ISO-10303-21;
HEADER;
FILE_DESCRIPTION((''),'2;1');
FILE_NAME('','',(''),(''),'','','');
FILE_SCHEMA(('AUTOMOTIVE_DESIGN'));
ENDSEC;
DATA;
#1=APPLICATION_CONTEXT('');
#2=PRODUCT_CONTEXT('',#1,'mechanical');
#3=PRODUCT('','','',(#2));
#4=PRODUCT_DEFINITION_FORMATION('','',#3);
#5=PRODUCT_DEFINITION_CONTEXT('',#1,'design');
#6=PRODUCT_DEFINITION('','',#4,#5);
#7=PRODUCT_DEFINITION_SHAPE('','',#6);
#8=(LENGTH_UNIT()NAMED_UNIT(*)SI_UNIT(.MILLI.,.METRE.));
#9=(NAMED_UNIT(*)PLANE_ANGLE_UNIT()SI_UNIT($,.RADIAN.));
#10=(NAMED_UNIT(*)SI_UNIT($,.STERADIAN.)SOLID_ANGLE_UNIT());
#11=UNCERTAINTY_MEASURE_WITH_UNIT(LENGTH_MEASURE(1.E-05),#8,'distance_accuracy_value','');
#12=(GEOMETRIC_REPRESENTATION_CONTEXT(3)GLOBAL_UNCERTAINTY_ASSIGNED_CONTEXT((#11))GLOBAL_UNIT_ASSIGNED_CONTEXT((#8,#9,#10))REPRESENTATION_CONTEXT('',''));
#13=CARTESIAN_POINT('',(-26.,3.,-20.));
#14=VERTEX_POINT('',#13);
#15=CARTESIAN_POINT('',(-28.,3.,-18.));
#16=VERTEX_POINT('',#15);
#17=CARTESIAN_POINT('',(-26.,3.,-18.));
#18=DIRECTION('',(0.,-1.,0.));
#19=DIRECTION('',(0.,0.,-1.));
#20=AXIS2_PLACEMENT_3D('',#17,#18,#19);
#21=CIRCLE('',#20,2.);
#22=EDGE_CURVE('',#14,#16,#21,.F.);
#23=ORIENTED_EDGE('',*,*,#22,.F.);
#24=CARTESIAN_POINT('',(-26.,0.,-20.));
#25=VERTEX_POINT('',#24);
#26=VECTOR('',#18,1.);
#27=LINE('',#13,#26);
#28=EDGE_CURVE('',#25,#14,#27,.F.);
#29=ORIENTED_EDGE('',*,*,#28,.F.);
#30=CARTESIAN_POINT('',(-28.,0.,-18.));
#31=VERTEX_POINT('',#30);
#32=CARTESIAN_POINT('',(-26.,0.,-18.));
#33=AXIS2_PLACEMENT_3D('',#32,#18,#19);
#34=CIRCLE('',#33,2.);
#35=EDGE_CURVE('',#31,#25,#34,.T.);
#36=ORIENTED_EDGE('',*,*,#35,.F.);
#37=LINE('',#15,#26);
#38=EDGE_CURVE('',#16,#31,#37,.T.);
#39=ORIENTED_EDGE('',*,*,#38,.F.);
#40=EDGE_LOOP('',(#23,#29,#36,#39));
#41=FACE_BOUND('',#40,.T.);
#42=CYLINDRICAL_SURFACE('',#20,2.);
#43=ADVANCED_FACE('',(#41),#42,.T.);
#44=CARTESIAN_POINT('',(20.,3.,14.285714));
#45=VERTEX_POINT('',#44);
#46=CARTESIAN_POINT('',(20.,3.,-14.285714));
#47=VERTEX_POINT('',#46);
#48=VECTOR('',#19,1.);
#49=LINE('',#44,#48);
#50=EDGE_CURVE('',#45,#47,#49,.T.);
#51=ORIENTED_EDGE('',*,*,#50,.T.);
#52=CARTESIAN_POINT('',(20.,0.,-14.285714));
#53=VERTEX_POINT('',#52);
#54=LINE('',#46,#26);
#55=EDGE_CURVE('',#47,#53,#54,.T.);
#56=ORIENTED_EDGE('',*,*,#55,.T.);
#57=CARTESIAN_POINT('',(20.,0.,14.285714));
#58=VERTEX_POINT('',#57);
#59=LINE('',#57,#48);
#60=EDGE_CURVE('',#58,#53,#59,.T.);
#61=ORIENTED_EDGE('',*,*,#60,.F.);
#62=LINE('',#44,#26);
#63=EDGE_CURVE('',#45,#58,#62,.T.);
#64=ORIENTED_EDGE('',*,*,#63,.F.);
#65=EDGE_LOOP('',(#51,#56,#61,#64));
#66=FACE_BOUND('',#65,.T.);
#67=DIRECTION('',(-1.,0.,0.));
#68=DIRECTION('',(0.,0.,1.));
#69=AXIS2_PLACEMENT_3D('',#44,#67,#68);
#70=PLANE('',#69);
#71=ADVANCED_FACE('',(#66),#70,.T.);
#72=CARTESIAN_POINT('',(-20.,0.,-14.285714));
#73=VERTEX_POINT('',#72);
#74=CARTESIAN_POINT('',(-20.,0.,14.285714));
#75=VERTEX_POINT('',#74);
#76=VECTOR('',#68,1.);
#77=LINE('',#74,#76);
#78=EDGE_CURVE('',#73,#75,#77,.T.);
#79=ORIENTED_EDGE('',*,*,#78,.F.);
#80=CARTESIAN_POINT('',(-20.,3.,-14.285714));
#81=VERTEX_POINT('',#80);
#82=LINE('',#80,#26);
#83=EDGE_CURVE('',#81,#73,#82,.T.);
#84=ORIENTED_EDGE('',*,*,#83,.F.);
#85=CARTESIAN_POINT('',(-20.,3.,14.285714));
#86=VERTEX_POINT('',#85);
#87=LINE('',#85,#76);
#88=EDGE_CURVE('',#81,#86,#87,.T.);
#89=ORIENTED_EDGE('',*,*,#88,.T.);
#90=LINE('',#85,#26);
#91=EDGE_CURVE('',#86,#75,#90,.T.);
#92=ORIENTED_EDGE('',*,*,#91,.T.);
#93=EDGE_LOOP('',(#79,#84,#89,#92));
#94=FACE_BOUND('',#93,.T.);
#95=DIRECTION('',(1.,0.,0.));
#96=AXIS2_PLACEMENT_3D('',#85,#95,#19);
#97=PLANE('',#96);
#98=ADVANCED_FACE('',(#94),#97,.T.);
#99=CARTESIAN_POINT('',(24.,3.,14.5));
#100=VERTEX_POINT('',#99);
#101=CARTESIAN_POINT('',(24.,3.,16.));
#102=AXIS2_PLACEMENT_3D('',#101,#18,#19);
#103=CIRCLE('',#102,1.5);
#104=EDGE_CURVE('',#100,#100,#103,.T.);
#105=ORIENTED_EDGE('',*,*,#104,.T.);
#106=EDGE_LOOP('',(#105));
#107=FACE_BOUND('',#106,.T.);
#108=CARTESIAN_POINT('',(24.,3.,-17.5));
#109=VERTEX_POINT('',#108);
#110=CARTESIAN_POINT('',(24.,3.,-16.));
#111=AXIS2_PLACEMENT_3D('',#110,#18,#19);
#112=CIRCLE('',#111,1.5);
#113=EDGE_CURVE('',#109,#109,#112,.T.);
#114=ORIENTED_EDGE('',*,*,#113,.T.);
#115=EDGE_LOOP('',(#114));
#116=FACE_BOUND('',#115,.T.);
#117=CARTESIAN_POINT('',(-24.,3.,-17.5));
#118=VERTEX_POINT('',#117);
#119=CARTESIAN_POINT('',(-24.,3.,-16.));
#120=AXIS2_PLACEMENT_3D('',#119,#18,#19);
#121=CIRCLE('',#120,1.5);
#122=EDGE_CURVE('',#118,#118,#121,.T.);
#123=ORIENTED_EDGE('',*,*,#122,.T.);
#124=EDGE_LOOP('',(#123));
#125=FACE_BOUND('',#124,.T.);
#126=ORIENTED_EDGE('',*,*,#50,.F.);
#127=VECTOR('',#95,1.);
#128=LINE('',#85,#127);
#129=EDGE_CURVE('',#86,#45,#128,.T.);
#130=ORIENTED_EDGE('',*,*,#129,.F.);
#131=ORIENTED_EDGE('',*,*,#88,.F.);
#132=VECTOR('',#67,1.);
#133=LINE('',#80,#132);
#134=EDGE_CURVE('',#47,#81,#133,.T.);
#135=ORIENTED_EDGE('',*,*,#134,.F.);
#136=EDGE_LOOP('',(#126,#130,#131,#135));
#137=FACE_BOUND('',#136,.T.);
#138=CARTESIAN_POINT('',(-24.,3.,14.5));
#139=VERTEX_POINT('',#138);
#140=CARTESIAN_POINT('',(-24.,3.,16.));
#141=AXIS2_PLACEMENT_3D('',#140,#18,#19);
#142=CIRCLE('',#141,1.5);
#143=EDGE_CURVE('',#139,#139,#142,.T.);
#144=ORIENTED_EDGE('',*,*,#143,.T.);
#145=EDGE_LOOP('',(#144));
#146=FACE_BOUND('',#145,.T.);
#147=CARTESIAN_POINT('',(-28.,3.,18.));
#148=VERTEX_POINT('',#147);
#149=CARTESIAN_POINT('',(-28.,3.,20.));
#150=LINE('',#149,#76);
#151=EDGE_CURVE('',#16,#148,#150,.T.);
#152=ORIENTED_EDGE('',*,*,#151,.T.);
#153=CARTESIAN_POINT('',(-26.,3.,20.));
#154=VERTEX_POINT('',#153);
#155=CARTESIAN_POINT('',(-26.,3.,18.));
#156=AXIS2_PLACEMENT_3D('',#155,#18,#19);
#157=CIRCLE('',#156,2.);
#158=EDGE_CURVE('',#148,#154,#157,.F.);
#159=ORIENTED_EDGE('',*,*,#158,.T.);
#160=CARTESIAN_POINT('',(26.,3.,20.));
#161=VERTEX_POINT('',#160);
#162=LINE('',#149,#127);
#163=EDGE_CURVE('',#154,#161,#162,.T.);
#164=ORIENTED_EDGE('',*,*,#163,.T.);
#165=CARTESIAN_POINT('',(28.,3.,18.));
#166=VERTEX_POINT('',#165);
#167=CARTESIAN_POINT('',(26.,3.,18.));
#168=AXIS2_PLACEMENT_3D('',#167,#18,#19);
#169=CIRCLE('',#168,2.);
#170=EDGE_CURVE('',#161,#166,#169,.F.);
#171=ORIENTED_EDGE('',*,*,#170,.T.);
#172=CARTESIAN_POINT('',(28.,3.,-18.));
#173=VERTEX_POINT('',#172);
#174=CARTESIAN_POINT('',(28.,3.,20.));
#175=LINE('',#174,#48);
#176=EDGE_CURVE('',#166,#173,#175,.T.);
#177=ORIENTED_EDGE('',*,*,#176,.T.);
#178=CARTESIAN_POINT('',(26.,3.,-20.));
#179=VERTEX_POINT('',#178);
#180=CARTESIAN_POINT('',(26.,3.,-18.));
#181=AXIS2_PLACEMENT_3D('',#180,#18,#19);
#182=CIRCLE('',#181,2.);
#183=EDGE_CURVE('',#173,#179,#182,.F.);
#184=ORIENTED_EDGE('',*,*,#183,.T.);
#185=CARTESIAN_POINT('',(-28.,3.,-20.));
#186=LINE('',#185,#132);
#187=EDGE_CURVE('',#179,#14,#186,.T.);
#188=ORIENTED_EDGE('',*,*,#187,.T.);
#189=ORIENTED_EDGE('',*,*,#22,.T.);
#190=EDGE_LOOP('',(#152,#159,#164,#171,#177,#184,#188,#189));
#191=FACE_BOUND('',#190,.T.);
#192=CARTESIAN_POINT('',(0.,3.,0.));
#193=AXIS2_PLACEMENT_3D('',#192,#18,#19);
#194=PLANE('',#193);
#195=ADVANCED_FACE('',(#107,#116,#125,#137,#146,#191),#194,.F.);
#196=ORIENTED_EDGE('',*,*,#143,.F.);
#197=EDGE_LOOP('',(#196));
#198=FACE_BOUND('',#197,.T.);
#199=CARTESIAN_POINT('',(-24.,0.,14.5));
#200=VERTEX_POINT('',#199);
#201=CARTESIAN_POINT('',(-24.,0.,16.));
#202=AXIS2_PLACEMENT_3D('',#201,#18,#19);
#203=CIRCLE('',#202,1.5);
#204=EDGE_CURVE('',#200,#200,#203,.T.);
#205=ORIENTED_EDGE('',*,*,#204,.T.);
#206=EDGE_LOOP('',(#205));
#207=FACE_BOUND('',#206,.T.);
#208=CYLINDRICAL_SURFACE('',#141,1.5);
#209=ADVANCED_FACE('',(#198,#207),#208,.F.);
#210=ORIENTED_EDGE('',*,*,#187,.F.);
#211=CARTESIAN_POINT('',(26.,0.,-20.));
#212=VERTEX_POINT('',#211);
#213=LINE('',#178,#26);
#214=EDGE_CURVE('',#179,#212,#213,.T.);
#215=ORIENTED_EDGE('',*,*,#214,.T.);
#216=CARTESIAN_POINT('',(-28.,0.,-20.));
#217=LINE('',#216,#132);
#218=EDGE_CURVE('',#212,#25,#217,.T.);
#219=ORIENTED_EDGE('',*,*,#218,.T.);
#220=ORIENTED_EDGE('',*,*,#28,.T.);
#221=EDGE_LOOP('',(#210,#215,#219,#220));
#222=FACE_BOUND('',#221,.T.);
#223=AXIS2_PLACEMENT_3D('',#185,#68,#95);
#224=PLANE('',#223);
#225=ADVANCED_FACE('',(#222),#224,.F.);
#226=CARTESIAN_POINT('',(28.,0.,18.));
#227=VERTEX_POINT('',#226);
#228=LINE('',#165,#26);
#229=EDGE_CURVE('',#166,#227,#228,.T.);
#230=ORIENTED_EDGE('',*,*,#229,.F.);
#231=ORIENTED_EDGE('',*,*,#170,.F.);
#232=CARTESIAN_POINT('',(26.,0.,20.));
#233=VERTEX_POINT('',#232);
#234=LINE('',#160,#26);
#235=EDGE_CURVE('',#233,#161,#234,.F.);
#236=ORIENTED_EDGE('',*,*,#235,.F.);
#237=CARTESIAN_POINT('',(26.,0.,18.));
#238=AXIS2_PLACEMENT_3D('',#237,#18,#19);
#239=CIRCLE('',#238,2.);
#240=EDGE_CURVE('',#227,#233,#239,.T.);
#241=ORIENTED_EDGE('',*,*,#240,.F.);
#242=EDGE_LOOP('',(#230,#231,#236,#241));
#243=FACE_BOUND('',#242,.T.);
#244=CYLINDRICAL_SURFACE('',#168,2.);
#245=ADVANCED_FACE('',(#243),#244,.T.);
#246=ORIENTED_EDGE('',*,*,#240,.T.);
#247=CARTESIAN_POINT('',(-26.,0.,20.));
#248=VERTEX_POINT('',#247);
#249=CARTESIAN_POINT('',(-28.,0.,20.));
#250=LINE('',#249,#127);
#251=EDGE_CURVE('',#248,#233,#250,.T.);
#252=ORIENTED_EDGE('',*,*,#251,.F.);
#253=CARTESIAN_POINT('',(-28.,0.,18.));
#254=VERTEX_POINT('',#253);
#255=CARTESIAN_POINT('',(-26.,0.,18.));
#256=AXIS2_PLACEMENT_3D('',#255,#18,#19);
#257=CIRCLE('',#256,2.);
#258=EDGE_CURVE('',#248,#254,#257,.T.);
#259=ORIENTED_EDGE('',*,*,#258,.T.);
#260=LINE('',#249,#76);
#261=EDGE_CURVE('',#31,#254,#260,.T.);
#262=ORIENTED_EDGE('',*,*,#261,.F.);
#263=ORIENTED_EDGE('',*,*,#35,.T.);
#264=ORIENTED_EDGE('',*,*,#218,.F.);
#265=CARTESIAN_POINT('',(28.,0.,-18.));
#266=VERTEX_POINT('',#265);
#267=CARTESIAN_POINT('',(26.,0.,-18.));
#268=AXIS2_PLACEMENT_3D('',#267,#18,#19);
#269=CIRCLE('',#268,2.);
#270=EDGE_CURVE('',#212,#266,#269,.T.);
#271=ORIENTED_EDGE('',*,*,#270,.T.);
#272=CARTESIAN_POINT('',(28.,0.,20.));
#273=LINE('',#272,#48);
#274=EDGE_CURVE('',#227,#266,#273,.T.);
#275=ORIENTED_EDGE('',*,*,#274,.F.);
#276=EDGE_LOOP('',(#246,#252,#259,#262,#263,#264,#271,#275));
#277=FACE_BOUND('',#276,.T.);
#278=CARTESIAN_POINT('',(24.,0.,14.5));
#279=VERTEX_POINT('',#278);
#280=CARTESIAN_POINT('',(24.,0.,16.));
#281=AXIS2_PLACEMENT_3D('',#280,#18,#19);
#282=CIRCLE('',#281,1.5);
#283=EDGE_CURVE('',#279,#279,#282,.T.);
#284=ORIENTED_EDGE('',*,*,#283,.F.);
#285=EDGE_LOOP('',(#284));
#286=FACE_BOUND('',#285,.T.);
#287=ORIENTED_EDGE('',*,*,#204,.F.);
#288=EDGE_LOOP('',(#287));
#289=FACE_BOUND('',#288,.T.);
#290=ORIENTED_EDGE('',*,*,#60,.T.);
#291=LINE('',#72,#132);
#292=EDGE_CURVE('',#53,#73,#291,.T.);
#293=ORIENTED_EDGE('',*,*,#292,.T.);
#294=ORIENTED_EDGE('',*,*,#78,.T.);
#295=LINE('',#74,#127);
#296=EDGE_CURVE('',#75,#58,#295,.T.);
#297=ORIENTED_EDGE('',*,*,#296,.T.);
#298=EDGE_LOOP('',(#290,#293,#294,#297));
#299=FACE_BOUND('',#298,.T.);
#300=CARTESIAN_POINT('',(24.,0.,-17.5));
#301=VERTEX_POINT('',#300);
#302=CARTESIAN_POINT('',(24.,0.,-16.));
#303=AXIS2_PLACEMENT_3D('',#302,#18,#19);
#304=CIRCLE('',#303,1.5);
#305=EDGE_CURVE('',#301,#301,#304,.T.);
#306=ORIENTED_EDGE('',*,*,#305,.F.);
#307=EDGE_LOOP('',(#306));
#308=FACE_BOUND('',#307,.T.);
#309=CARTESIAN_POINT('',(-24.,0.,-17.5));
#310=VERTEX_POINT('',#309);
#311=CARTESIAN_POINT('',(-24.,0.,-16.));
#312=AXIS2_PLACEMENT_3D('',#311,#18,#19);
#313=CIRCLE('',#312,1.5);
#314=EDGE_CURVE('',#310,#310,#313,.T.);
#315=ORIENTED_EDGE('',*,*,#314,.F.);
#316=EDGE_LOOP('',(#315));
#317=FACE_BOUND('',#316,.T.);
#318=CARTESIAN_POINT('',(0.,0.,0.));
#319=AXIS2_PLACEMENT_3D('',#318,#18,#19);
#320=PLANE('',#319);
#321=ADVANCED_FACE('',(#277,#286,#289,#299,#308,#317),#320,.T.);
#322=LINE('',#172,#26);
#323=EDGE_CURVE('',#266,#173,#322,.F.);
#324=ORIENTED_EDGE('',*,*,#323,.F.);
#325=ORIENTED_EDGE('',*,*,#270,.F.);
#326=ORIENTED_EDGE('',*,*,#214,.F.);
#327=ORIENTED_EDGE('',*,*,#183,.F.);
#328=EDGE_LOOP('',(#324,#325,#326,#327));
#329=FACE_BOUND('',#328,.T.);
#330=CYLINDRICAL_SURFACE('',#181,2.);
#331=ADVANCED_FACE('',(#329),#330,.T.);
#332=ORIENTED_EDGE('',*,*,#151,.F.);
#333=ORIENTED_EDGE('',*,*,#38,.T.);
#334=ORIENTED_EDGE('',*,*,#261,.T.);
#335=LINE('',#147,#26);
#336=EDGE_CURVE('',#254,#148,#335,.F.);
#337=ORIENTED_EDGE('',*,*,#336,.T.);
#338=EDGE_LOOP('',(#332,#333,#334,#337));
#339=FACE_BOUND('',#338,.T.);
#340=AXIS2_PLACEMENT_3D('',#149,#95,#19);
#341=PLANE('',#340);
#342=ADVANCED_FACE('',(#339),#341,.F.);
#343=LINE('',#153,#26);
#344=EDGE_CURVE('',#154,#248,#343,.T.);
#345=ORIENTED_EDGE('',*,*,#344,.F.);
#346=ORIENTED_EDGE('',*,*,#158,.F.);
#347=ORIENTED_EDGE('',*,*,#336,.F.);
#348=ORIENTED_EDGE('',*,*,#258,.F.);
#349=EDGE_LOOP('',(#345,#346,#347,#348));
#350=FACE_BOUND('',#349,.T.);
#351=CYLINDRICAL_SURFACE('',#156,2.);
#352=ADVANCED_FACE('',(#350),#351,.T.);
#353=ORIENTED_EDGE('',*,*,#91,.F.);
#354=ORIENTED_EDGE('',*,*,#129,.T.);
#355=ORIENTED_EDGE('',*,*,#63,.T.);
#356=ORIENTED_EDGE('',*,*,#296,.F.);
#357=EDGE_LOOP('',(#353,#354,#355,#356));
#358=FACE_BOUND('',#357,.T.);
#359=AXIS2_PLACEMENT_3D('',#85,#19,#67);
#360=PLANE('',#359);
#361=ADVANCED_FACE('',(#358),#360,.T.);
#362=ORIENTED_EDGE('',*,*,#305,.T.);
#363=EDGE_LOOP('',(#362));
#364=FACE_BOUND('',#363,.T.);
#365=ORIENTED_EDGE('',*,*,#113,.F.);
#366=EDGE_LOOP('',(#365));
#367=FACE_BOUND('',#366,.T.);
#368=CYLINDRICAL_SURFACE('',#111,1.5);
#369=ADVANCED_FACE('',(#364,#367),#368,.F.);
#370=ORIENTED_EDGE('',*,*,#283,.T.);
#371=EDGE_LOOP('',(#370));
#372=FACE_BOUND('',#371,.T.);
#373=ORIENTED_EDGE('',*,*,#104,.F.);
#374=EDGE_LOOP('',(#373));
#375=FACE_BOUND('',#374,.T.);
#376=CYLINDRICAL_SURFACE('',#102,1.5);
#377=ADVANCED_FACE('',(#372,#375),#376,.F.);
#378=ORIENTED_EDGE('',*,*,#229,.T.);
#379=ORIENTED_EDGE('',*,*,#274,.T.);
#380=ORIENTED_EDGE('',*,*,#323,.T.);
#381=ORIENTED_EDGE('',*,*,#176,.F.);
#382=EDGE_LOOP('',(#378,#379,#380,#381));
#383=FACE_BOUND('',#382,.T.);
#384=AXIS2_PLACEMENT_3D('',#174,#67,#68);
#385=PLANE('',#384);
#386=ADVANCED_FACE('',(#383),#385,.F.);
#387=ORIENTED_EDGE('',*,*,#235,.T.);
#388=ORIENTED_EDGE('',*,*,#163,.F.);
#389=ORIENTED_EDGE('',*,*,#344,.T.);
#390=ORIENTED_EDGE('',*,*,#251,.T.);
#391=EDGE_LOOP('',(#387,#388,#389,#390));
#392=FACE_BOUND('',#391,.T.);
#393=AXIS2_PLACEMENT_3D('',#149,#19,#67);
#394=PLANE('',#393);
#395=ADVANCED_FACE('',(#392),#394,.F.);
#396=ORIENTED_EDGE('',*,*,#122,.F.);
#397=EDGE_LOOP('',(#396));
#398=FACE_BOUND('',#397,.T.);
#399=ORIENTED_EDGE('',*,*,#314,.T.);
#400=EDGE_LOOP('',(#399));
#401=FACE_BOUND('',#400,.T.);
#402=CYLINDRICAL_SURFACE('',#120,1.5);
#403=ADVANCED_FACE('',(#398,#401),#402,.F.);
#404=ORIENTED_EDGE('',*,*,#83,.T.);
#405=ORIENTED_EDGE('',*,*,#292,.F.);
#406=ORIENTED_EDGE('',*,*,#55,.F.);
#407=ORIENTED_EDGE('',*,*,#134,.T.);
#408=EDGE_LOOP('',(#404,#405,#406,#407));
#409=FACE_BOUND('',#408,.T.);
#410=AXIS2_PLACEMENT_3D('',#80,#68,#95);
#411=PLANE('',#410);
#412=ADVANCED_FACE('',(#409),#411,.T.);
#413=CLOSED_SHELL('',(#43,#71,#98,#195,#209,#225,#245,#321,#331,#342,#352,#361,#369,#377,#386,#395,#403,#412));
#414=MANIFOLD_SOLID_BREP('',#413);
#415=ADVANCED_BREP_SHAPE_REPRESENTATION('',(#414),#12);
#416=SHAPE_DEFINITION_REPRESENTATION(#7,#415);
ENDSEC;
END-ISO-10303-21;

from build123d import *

# Parameters (mm, degrees)
SKETCH2_W           = 56
SKETCH2_H           = 40
SKETCH2_W_2         = 40
SKETCH2_H_2         = 28.571428572
BOSS_EXTRUDE2_DEPTH = 3
SKETCH3_R           = 1.5
CUT_EXTRUDE1_DEPTH  = 4
FILLET1_R           = 2


with BuildPart() as part:
    # Sketch2 → Boss-Extrude2 (new body)
    with BuildSketch(Plane(origin=(0, 0, 0), x_dir=(1, 0, 0), z_dir=(0, 1, 0))):
        Rectangle(SKETCH2_W, SKETCH2_H)
        Rectangle(SKETCH2_W_2, SKETCH2_H_2, mode=Mode.SUBTRACT)
    extrude(amount=BOSS_EXTRUDE2_DEPTH)

    # Sketch3 → Cut-Extrude1 (cut, through all)
    with BuildSketch(Plane(origin=(0, 0, 0), x_dir=(-1, 0, 0), z_dir=(0, -1, 0))):
        with Locations((24, -16)):
            Circle(SKETCH3_R)
        with Locations((-24, 16)):
            Circle(SKETCH3_R)
        with Locations((-24, -16)):
            Circle(SKETCH3_R)
        with Locations((24, 16)):
            Circle(SKETCH3_R)
    extrude(amount=-CUT_EXTRUDE1_DEPTH, mode=Mode.SUBTRACT)

    # Fillet1
    fillet1_edges = [part.edges().sort_by_distance(p)[0] for p in [
        (28, 1.5, 20),
        (-28, 1.5, 20),
        (-28, 1.5, -20),
        (28, 1.5, -20),
    ]]
    fillet(fillet1_edges, radius=FILLET1_R)


solid = part.part
